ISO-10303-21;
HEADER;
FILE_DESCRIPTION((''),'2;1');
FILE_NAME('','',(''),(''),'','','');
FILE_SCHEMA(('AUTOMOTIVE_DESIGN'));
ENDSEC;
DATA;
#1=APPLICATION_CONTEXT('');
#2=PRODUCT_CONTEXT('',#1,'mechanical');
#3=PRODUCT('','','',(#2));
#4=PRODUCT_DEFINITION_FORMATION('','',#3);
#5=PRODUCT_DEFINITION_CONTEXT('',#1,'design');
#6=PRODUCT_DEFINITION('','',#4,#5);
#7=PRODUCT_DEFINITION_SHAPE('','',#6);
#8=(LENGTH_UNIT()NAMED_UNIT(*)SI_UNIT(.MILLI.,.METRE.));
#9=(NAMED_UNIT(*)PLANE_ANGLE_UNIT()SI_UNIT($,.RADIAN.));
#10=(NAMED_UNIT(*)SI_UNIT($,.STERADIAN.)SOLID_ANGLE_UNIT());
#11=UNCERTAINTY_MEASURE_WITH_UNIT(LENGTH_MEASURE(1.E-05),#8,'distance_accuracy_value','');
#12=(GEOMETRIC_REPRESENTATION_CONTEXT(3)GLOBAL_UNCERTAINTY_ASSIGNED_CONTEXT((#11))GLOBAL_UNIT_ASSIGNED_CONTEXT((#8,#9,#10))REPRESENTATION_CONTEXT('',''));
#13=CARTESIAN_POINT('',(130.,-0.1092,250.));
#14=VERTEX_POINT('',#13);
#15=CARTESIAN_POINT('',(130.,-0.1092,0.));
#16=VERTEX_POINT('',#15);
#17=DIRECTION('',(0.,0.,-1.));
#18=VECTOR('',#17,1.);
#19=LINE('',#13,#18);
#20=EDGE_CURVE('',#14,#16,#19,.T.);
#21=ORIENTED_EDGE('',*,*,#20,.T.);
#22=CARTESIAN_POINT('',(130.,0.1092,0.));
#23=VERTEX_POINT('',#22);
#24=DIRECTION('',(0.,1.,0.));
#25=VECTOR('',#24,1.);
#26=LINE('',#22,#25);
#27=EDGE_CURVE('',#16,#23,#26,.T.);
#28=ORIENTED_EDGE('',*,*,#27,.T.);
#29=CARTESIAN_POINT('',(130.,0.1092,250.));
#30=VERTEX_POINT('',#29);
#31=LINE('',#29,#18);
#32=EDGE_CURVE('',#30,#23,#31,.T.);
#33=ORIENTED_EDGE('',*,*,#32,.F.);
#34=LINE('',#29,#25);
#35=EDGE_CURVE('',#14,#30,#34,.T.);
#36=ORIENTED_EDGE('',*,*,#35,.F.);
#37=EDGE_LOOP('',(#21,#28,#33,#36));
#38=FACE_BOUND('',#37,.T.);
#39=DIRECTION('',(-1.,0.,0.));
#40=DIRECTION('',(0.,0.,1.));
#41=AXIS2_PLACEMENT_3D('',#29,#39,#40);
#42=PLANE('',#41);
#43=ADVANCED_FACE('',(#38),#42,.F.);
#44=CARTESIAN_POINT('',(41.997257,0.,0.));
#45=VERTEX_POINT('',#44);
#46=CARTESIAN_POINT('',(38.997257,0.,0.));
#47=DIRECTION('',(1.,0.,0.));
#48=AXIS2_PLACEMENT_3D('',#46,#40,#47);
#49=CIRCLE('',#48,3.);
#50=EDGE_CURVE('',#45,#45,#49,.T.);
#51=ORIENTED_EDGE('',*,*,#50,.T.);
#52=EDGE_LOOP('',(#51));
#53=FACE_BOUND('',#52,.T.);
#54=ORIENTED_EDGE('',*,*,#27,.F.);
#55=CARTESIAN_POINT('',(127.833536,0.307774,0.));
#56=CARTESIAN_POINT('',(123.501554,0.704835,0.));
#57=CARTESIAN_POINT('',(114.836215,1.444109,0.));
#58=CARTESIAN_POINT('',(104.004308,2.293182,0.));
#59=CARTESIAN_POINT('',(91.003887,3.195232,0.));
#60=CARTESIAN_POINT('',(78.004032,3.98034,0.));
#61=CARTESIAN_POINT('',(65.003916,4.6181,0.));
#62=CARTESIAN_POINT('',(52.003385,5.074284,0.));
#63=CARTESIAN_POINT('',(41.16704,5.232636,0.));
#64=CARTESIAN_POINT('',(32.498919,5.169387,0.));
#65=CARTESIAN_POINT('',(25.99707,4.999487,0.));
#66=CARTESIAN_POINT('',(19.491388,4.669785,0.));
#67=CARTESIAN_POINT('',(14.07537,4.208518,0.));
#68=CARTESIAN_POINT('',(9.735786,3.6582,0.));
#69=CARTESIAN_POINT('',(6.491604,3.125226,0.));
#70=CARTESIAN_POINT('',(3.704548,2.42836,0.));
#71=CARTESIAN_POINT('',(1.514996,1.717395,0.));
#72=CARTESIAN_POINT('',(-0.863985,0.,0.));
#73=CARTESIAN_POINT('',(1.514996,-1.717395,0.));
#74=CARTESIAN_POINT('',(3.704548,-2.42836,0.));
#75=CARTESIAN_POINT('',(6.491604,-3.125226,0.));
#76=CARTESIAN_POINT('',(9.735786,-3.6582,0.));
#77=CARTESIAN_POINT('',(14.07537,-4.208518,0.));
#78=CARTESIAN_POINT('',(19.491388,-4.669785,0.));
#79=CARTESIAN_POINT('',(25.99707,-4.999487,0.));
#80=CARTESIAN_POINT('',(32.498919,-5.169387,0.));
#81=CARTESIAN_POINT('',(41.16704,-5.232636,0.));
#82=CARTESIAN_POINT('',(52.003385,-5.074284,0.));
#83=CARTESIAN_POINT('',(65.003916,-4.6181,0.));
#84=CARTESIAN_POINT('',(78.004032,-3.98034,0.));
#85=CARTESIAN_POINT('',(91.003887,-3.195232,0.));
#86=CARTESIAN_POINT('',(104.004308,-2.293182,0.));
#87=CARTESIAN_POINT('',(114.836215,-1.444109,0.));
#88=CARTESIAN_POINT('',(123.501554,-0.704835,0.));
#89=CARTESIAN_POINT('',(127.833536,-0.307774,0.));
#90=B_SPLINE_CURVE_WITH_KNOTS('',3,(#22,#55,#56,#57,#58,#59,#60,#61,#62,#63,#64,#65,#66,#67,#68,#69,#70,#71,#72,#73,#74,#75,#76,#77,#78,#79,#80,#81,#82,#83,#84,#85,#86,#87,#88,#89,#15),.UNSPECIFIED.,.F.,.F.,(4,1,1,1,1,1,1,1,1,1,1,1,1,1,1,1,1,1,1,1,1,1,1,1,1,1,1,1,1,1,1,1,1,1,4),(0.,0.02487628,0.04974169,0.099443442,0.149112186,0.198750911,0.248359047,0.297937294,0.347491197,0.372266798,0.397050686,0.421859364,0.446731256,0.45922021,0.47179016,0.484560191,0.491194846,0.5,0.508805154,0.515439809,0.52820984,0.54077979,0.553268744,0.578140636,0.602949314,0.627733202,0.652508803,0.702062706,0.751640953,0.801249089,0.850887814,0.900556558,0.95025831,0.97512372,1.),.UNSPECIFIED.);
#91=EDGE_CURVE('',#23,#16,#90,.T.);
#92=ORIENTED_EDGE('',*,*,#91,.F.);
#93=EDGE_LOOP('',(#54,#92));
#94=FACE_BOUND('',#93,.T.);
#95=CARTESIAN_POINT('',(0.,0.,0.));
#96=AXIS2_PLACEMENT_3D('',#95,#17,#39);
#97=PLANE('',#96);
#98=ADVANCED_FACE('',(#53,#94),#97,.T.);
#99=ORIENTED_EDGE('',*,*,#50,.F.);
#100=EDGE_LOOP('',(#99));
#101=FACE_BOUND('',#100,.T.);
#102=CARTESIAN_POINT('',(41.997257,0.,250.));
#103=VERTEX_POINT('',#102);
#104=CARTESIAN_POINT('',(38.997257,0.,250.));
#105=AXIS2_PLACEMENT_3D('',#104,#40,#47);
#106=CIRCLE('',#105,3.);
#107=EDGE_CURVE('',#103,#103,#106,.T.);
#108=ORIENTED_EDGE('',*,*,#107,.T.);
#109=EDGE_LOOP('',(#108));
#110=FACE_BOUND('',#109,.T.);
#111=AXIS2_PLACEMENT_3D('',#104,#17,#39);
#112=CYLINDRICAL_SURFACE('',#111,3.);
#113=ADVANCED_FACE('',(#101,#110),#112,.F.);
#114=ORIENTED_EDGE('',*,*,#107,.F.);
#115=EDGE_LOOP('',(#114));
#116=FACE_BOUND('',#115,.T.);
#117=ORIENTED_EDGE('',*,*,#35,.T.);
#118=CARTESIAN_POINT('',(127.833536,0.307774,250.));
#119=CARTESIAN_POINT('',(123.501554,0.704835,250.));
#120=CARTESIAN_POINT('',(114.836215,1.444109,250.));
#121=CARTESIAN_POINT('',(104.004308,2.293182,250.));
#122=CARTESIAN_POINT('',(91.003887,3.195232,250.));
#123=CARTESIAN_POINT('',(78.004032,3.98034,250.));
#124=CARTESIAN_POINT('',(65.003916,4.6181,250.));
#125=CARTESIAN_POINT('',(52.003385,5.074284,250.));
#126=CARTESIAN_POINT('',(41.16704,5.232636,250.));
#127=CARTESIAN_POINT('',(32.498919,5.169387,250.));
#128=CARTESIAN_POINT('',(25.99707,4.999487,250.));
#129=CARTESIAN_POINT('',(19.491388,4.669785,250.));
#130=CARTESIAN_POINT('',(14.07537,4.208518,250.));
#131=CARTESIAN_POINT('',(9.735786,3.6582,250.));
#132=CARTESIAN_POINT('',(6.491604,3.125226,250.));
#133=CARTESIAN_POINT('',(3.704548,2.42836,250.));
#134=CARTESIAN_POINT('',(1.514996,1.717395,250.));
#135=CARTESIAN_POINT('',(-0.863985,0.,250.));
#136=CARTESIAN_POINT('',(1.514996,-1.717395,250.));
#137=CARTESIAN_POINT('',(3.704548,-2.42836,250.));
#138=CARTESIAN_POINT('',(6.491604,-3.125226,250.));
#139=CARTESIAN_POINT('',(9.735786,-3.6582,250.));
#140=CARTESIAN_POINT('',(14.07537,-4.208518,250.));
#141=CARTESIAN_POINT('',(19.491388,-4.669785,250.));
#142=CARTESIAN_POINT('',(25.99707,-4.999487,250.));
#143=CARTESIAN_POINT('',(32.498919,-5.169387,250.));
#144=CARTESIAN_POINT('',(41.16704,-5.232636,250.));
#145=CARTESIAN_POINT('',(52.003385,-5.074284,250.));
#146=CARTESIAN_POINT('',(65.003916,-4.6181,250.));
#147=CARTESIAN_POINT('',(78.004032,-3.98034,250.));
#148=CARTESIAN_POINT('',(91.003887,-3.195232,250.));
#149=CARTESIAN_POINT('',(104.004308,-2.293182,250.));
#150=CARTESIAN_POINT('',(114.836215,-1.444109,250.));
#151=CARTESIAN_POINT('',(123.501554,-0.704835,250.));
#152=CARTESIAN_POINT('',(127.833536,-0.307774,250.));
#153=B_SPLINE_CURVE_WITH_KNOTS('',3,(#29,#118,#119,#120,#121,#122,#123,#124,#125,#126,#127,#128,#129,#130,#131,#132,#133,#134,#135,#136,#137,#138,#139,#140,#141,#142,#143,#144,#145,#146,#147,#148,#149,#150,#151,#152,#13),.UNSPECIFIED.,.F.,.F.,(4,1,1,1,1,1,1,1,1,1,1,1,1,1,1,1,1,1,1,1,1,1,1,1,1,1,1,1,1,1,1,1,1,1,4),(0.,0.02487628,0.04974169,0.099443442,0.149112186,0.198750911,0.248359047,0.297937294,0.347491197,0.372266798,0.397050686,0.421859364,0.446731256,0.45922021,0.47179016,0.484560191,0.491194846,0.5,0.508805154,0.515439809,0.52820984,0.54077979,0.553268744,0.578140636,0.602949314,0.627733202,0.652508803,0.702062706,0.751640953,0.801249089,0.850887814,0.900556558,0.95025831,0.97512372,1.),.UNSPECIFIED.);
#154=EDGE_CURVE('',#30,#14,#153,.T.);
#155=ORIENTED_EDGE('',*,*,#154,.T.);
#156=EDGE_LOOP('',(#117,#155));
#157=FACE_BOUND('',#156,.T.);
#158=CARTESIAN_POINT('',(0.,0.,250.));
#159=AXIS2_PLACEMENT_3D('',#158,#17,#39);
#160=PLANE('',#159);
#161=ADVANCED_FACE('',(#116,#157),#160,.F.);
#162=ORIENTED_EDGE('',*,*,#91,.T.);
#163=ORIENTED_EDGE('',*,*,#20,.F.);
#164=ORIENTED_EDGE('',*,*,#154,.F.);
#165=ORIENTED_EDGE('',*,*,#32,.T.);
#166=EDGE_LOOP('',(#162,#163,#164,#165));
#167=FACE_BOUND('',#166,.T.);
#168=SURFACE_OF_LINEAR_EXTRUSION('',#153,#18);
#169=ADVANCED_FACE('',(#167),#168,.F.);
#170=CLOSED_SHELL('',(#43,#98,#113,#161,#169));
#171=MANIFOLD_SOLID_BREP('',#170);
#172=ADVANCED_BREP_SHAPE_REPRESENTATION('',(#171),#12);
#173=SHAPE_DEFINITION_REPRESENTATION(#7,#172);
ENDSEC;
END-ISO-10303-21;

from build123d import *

# Parameters (mm, degrees)
SCHIZZO2_R                   = 3
ESTRUSIONE_ESTRUSIONE1_DEPTH = 250


with BuildPart() as part:
    # Schizzo2 → Estrusione-Estrusione1 (new body)
    with BuildSketch(Plane.XY):
        with BuildLine():
            Line((130, 0.1092), (130, -0.1092))
            add(Edge.make_bspline(
                [(130, 0.1092), (127.833535733, 0.30777396), (123.501553963, 0.704835103), (114.836215078, 1.44410928), (104.004308011, 2.293182201), (91.003887287, 3.195231803), (78.004031632, 3.980339539), (65.003916019, 4.618100454), (52.003385177, 5.0742838), (41.167039883, 5.232636155), (32.498919096, 5.169386992), (25.997069838, 4.99948673), (19.49138839, 4.669784925), (14.075370051, 4.208518196), (9.735785729, 3.658199851), (6.491603633, 3.125226199), (3.704548113, 2.428360256), (1.514995678, 1.717394523), (-0.863985461, 0), (1.514995678, -1.717394523), (3.704548113, -2.428360256), (6.491603633, -3.125226199), (9.735785729, -3.658199851), (14.075370051, -4.208518196), (19.49138839, -4.669784925), (25.997069838, -4.99948673), (32.498919096, -5.169386992), (41.167039883, -5.232636155), (52.003385177, -5.0742838), (65.003916019, -4.618100454), (78.004031632, -3.980339539), (91.003887287, -3.195231803), (104.004308011, -2.293182201), (114.836215078, -1.44410928), (123.501553963, -0.704835103), (127.833535733, -0.30777396), (130, -0.1092)],
                knots=[0, 0, 0, 0, 0.02487628, 0.04974169, 0.099443442, 0.149112186, 0.198750911, 0.248359047, 0.297937294, 0.347491197, 0.372266798, 0.397050686, 0.421859364, 0.446731256, 0.45922021, 0.47179016, 0.484560191, 0.491194846, 0.5, 0.508805154, 0.515439809, 0.52820984, 0.54077979, 0.553268744, 0.578140636, 0.602949314, 0.627733202, 0.652508803, 0.702062706, 0.751640953, 0.801249089, 0.850887814, 0.900556558, 0.95025831, 0.97512372, 1, 1, 1, 1], degree=3))
        make_face()
        with Locations((38.997256927, 0)):
            Circle(SCHIZZO2_R, mode=Mode.SUBTRACT)
    extrude(amount=ESTRUSIONE_ESTRUSIONE1_DEPTH)


solid = part.part
